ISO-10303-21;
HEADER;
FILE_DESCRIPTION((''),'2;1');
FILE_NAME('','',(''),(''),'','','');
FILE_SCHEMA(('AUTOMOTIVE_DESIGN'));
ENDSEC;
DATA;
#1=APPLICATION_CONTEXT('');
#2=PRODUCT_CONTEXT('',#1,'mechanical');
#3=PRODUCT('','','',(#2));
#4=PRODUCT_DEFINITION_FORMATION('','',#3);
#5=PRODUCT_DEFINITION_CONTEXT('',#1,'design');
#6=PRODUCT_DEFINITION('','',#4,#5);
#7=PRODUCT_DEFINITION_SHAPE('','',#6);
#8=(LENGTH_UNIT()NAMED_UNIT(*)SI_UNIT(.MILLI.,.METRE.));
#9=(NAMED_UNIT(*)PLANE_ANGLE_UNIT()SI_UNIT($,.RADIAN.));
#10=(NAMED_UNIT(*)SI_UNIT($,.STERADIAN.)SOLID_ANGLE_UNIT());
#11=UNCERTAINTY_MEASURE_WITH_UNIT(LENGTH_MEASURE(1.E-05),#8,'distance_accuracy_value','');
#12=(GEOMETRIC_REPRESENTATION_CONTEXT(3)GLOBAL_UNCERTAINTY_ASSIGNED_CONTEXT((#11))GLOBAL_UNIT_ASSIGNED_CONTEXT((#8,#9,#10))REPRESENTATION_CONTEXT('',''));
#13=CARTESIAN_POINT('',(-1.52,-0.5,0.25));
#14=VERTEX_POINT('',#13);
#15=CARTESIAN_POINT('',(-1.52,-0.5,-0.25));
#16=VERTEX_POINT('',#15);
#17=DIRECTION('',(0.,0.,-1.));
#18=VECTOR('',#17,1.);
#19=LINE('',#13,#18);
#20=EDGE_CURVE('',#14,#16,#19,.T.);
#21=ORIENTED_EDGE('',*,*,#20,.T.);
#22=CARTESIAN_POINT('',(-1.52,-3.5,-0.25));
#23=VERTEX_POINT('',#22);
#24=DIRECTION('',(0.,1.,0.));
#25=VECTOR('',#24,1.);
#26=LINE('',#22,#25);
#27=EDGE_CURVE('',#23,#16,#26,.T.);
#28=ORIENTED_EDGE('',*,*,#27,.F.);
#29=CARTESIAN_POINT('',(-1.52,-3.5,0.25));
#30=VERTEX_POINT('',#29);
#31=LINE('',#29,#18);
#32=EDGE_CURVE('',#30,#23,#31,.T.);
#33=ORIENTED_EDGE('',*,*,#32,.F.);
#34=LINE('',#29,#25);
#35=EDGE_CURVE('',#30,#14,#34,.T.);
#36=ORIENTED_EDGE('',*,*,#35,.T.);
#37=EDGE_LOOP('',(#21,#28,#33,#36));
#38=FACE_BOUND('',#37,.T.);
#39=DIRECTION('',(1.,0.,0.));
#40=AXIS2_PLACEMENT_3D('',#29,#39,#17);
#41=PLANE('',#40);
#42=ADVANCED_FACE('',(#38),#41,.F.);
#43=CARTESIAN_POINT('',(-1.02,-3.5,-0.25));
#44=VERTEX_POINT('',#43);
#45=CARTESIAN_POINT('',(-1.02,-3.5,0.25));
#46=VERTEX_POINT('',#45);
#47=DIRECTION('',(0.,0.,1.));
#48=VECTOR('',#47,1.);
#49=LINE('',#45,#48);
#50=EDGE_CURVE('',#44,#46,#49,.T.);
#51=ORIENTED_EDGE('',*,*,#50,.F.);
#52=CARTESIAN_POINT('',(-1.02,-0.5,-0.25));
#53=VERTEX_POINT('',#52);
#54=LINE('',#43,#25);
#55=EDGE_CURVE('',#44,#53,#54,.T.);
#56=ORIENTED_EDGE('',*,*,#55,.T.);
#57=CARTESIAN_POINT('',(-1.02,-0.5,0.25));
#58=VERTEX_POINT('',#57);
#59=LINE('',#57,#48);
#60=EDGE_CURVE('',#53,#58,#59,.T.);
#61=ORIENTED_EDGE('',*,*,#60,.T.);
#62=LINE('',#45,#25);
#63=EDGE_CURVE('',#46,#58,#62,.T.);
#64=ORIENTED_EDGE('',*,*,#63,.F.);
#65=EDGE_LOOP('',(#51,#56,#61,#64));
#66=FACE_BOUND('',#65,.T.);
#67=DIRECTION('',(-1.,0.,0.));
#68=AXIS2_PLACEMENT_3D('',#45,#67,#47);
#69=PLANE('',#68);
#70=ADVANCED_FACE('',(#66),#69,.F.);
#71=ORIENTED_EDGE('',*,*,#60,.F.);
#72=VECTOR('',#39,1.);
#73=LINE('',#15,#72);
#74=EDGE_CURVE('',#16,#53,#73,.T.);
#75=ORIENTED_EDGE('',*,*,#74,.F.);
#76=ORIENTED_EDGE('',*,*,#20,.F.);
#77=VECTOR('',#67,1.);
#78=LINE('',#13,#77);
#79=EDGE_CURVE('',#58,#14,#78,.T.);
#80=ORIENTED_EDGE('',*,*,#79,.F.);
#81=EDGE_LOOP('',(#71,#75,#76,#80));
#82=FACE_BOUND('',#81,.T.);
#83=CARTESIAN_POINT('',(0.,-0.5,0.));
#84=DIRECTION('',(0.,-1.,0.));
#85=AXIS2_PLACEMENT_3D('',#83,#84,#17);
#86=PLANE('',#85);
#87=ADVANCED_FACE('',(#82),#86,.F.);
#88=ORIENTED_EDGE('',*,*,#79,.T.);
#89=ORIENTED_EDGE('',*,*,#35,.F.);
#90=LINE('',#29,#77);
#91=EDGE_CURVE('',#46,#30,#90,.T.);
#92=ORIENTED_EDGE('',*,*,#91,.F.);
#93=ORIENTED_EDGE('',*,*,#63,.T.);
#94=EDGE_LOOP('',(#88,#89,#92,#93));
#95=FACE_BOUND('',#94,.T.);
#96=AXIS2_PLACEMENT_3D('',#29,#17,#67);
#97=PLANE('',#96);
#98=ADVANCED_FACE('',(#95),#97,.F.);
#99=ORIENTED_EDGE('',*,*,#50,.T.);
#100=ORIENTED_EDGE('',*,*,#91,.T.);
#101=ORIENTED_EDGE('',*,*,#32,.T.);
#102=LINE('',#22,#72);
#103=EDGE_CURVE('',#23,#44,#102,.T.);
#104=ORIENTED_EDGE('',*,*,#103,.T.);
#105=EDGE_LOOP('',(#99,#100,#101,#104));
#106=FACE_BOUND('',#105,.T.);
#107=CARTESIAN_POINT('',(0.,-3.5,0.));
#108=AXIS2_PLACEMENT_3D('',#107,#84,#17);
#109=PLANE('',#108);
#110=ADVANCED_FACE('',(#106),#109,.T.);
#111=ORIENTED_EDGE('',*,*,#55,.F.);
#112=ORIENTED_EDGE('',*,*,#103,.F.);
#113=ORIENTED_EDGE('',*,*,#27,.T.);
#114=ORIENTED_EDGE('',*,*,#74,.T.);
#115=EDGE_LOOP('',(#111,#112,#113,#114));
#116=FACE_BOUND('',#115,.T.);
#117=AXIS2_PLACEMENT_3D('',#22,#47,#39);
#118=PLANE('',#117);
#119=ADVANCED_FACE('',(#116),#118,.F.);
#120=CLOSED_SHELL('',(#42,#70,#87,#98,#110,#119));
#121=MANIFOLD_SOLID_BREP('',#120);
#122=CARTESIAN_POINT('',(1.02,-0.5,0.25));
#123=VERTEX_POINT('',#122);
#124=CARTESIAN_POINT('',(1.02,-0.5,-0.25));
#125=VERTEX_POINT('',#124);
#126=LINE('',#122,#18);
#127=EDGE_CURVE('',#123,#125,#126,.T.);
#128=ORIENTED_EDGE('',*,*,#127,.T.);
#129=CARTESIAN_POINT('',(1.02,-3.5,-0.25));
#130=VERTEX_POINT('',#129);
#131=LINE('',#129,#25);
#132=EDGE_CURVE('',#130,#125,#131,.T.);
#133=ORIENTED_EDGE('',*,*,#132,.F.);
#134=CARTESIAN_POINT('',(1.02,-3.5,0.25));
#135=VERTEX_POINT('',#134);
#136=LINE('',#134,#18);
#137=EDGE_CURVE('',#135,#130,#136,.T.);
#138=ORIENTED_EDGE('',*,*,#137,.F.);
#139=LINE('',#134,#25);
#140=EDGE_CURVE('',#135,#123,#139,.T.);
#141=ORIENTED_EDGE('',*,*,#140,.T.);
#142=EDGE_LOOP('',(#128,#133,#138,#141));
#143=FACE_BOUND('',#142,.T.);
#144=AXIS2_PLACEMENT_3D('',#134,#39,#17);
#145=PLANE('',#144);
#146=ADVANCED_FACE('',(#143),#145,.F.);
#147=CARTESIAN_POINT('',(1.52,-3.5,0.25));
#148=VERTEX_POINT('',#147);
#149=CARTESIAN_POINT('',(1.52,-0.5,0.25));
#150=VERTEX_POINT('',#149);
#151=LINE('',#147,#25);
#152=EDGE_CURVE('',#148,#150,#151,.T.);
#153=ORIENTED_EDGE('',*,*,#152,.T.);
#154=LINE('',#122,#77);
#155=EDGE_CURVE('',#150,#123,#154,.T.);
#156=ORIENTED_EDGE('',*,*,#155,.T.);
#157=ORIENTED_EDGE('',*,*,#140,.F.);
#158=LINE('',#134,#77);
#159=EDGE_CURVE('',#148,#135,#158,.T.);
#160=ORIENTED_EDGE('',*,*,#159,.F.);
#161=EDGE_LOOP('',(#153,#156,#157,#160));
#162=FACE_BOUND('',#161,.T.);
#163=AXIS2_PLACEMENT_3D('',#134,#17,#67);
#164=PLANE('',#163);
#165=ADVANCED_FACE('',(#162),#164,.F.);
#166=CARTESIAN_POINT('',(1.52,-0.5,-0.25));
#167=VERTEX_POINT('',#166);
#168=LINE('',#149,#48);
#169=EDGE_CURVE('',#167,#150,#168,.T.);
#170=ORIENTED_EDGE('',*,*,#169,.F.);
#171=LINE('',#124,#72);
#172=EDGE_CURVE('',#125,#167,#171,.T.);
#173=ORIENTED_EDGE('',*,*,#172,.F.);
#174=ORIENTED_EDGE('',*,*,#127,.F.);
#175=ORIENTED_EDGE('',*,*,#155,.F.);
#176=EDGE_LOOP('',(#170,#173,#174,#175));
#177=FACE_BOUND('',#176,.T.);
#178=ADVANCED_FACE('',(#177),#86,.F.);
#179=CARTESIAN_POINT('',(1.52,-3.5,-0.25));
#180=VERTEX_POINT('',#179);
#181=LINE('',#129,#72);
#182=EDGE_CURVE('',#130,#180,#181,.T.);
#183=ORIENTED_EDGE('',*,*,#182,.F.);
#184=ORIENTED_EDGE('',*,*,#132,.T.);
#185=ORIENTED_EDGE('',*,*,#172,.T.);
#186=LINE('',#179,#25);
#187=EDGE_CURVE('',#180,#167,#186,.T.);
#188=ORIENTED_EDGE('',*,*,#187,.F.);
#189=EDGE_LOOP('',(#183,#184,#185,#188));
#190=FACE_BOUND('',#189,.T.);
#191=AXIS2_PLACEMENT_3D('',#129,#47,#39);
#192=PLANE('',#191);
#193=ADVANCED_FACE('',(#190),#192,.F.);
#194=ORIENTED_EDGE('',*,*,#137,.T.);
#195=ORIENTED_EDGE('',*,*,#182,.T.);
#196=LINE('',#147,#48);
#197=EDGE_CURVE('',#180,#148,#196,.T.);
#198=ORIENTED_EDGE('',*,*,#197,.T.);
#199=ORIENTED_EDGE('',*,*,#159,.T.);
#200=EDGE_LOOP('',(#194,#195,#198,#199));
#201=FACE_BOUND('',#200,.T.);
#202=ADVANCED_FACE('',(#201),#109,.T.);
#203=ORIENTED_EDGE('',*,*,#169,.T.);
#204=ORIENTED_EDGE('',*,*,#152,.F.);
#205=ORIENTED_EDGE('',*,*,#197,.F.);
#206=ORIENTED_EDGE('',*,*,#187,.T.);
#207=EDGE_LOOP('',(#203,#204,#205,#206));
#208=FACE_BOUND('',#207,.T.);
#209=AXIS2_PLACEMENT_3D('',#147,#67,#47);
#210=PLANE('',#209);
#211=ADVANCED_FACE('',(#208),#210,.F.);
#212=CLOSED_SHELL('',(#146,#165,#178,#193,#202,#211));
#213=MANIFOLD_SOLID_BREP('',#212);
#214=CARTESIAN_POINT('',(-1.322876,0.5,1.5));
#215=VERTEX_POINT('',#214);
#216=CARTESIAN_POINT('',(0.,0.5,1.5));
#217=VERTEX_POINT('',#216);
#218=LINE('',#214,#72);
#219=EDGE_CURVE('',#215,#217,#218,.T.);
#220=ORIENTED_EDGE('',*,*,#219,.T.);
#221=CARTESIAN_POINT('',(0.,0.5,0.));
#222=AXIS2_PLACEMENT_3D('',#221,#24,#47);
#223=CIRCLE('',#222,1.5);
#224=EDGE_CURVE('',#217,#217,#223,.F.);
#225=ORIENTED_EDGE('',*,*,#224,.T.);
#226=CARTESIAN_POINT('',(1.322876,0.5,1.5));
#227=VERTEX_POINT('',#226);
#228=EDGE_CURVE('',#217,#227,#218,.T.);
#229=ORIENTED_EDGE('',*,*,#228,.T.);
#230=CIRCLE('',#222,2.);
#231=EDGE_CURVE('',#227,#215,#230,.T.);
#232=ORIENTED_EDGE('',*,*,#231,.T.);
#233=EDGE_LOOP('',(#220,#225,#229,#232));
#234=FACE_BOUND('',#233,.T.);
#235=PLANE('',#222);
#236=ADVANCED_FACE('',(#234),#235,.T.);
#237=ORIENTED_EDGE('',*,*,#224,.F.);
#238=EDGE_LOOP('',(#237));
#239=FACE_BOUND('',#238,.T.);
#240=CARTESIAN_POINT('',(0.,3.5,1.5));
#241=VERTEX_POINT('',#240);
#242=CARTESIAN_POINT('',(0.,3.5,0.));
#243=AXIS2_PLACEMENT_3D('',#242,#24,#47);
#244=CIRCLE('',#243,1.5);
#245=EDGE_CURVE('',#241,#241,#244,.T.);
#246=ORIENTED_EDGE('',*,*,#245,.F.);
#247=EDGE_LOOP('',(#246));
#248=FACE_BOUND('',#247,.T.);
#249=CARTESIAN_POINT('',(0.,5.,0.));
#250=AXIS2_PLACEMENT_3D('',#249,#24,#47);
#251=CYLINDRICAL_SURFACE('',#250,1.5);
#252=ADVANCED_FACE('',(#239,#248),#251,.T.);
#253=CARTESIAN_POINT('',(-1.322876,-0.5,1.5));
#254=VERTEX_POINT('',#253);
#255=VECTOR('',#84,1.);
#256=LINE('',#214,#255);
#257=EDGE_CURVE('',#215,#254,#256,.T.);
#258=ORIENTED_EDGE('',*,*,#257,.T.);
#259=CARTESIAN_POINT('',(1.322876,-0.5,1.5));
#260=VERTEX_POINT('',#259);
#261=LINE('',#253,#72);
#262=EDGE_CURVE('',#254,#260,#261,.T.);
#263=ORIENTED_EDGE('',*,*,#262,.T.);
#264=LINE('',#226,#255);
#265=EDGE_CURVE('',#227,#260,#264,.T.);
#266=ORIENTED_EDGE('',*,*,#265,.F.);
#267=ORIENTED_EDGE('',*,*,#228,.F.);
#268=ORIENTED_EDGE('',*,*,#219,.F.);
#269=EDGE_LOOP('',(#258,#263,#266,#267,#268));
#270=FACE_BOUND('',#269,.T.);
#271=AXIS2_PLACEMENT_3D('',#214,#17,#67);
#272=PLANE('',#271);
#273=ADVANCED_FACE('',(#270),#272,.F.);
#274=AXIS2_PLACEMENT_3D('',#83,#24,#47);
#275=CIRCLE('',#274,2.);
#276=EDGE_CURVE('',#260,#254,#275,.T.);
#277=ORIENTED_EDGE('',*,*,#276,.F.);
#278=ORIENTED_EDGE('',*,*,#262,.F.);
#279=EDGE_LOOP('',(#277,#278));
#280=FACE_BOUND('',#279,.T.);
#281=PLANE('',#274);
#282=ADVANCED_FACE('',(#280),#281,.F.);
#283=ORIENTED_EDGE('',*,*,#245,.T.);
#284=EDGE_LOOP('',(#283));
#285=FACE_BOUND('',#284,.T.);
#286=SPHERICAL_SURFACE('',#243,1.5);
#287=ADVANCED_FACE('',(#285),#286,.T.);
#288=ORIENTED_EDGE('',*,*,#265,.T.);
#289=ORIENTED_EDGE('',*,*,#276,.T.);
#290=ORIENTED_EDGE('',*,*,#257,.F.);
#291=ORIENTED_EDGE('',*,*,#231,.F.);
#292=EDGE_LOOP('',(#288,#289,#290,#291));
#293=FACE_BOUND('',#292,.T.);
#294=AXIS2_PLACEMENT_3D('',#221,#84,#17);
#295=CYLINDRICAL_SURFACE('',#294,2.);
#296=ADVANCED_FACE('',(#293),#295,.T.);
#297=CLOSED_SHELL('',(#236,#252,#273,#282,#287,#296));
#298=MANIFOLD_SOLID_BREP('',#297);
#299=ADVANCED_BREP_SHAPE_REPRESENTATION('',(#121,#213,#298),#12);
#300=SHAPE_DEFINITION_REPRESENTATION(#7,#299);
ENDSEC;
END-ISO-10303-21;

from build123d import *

# Parameters (mm, degrees)
BOSS_EXTRUDE1_DEPTH   = 0.5
SKETCH3_W             = 0.5
SKETCH3_H             = 0.5
BOSS_EXTRUDE2_DEPTH   = 3
BOSS_EXTRUDE2_2_DEPTH = 3


with BuildPart() as part:
    # Sketch1 → Revolve1 (revolve)
    with BuildSketch(Plane(origin=(0, 0, 0), x_dir=(0, 0, -1), z_dir=(1, 0, 0))):
        with BuildLine():
            Line((-1.5, 0), (-1.5, 3.5))
            ThreePointArc((-1.5, 3.5), (-1.060660172, 4.560660172), (0, 5))
            Line((0, 5), (0, 0))
            Line((0, 0), (-1.5, 0))
        make_face()
    revolve(axis=Axis((0, 5, 0), (0, -1, 0)))

    # Sketch2 → Boss-Extrude1 (add, symmetric)
    with BuildSketch(Plane(origin=(0, 0, 0), x_dir=(1, 0, 0), z_dir=(0, 1, 0))):
        with BuildLine():
            Line((-1.322875656, -1.5), (1.322875656, -1.5))
            ThreePointArc((1.322875656, -1.5), (0, 2), (-1.322875656, -1.5))
        make_face()
    extrude(amount=BOSS_EXTRUDE1_DEPTH, both=True)


with BuildPart() as body_2:
    # Sketch3 → Boss-Extrude2 (new body)
    with BuildSketch(Plane.XZ.offset(0.5)):
        with Locations((-1.27, 0)):
            Rectangle(SKETCH3_W, SKETCH3_H)
    extrude(amount=BOSS_EXTRUDE2_DEPTH)


with BuildPart() as body_3:
    # Sketch3 → Boss-Extrude2 2 (new body)
    with BuildSketch(Plane.XZ.offset(0.5)):
        with Locations((1.27, 0)):
            Rectangle(SKETCH3_W, SKETCH3_H)
    extrude(amount=BOSS_EXTRUDE2_2_DEPTH)


solid = Compound([part.part, body_2.part, body_3.part])
